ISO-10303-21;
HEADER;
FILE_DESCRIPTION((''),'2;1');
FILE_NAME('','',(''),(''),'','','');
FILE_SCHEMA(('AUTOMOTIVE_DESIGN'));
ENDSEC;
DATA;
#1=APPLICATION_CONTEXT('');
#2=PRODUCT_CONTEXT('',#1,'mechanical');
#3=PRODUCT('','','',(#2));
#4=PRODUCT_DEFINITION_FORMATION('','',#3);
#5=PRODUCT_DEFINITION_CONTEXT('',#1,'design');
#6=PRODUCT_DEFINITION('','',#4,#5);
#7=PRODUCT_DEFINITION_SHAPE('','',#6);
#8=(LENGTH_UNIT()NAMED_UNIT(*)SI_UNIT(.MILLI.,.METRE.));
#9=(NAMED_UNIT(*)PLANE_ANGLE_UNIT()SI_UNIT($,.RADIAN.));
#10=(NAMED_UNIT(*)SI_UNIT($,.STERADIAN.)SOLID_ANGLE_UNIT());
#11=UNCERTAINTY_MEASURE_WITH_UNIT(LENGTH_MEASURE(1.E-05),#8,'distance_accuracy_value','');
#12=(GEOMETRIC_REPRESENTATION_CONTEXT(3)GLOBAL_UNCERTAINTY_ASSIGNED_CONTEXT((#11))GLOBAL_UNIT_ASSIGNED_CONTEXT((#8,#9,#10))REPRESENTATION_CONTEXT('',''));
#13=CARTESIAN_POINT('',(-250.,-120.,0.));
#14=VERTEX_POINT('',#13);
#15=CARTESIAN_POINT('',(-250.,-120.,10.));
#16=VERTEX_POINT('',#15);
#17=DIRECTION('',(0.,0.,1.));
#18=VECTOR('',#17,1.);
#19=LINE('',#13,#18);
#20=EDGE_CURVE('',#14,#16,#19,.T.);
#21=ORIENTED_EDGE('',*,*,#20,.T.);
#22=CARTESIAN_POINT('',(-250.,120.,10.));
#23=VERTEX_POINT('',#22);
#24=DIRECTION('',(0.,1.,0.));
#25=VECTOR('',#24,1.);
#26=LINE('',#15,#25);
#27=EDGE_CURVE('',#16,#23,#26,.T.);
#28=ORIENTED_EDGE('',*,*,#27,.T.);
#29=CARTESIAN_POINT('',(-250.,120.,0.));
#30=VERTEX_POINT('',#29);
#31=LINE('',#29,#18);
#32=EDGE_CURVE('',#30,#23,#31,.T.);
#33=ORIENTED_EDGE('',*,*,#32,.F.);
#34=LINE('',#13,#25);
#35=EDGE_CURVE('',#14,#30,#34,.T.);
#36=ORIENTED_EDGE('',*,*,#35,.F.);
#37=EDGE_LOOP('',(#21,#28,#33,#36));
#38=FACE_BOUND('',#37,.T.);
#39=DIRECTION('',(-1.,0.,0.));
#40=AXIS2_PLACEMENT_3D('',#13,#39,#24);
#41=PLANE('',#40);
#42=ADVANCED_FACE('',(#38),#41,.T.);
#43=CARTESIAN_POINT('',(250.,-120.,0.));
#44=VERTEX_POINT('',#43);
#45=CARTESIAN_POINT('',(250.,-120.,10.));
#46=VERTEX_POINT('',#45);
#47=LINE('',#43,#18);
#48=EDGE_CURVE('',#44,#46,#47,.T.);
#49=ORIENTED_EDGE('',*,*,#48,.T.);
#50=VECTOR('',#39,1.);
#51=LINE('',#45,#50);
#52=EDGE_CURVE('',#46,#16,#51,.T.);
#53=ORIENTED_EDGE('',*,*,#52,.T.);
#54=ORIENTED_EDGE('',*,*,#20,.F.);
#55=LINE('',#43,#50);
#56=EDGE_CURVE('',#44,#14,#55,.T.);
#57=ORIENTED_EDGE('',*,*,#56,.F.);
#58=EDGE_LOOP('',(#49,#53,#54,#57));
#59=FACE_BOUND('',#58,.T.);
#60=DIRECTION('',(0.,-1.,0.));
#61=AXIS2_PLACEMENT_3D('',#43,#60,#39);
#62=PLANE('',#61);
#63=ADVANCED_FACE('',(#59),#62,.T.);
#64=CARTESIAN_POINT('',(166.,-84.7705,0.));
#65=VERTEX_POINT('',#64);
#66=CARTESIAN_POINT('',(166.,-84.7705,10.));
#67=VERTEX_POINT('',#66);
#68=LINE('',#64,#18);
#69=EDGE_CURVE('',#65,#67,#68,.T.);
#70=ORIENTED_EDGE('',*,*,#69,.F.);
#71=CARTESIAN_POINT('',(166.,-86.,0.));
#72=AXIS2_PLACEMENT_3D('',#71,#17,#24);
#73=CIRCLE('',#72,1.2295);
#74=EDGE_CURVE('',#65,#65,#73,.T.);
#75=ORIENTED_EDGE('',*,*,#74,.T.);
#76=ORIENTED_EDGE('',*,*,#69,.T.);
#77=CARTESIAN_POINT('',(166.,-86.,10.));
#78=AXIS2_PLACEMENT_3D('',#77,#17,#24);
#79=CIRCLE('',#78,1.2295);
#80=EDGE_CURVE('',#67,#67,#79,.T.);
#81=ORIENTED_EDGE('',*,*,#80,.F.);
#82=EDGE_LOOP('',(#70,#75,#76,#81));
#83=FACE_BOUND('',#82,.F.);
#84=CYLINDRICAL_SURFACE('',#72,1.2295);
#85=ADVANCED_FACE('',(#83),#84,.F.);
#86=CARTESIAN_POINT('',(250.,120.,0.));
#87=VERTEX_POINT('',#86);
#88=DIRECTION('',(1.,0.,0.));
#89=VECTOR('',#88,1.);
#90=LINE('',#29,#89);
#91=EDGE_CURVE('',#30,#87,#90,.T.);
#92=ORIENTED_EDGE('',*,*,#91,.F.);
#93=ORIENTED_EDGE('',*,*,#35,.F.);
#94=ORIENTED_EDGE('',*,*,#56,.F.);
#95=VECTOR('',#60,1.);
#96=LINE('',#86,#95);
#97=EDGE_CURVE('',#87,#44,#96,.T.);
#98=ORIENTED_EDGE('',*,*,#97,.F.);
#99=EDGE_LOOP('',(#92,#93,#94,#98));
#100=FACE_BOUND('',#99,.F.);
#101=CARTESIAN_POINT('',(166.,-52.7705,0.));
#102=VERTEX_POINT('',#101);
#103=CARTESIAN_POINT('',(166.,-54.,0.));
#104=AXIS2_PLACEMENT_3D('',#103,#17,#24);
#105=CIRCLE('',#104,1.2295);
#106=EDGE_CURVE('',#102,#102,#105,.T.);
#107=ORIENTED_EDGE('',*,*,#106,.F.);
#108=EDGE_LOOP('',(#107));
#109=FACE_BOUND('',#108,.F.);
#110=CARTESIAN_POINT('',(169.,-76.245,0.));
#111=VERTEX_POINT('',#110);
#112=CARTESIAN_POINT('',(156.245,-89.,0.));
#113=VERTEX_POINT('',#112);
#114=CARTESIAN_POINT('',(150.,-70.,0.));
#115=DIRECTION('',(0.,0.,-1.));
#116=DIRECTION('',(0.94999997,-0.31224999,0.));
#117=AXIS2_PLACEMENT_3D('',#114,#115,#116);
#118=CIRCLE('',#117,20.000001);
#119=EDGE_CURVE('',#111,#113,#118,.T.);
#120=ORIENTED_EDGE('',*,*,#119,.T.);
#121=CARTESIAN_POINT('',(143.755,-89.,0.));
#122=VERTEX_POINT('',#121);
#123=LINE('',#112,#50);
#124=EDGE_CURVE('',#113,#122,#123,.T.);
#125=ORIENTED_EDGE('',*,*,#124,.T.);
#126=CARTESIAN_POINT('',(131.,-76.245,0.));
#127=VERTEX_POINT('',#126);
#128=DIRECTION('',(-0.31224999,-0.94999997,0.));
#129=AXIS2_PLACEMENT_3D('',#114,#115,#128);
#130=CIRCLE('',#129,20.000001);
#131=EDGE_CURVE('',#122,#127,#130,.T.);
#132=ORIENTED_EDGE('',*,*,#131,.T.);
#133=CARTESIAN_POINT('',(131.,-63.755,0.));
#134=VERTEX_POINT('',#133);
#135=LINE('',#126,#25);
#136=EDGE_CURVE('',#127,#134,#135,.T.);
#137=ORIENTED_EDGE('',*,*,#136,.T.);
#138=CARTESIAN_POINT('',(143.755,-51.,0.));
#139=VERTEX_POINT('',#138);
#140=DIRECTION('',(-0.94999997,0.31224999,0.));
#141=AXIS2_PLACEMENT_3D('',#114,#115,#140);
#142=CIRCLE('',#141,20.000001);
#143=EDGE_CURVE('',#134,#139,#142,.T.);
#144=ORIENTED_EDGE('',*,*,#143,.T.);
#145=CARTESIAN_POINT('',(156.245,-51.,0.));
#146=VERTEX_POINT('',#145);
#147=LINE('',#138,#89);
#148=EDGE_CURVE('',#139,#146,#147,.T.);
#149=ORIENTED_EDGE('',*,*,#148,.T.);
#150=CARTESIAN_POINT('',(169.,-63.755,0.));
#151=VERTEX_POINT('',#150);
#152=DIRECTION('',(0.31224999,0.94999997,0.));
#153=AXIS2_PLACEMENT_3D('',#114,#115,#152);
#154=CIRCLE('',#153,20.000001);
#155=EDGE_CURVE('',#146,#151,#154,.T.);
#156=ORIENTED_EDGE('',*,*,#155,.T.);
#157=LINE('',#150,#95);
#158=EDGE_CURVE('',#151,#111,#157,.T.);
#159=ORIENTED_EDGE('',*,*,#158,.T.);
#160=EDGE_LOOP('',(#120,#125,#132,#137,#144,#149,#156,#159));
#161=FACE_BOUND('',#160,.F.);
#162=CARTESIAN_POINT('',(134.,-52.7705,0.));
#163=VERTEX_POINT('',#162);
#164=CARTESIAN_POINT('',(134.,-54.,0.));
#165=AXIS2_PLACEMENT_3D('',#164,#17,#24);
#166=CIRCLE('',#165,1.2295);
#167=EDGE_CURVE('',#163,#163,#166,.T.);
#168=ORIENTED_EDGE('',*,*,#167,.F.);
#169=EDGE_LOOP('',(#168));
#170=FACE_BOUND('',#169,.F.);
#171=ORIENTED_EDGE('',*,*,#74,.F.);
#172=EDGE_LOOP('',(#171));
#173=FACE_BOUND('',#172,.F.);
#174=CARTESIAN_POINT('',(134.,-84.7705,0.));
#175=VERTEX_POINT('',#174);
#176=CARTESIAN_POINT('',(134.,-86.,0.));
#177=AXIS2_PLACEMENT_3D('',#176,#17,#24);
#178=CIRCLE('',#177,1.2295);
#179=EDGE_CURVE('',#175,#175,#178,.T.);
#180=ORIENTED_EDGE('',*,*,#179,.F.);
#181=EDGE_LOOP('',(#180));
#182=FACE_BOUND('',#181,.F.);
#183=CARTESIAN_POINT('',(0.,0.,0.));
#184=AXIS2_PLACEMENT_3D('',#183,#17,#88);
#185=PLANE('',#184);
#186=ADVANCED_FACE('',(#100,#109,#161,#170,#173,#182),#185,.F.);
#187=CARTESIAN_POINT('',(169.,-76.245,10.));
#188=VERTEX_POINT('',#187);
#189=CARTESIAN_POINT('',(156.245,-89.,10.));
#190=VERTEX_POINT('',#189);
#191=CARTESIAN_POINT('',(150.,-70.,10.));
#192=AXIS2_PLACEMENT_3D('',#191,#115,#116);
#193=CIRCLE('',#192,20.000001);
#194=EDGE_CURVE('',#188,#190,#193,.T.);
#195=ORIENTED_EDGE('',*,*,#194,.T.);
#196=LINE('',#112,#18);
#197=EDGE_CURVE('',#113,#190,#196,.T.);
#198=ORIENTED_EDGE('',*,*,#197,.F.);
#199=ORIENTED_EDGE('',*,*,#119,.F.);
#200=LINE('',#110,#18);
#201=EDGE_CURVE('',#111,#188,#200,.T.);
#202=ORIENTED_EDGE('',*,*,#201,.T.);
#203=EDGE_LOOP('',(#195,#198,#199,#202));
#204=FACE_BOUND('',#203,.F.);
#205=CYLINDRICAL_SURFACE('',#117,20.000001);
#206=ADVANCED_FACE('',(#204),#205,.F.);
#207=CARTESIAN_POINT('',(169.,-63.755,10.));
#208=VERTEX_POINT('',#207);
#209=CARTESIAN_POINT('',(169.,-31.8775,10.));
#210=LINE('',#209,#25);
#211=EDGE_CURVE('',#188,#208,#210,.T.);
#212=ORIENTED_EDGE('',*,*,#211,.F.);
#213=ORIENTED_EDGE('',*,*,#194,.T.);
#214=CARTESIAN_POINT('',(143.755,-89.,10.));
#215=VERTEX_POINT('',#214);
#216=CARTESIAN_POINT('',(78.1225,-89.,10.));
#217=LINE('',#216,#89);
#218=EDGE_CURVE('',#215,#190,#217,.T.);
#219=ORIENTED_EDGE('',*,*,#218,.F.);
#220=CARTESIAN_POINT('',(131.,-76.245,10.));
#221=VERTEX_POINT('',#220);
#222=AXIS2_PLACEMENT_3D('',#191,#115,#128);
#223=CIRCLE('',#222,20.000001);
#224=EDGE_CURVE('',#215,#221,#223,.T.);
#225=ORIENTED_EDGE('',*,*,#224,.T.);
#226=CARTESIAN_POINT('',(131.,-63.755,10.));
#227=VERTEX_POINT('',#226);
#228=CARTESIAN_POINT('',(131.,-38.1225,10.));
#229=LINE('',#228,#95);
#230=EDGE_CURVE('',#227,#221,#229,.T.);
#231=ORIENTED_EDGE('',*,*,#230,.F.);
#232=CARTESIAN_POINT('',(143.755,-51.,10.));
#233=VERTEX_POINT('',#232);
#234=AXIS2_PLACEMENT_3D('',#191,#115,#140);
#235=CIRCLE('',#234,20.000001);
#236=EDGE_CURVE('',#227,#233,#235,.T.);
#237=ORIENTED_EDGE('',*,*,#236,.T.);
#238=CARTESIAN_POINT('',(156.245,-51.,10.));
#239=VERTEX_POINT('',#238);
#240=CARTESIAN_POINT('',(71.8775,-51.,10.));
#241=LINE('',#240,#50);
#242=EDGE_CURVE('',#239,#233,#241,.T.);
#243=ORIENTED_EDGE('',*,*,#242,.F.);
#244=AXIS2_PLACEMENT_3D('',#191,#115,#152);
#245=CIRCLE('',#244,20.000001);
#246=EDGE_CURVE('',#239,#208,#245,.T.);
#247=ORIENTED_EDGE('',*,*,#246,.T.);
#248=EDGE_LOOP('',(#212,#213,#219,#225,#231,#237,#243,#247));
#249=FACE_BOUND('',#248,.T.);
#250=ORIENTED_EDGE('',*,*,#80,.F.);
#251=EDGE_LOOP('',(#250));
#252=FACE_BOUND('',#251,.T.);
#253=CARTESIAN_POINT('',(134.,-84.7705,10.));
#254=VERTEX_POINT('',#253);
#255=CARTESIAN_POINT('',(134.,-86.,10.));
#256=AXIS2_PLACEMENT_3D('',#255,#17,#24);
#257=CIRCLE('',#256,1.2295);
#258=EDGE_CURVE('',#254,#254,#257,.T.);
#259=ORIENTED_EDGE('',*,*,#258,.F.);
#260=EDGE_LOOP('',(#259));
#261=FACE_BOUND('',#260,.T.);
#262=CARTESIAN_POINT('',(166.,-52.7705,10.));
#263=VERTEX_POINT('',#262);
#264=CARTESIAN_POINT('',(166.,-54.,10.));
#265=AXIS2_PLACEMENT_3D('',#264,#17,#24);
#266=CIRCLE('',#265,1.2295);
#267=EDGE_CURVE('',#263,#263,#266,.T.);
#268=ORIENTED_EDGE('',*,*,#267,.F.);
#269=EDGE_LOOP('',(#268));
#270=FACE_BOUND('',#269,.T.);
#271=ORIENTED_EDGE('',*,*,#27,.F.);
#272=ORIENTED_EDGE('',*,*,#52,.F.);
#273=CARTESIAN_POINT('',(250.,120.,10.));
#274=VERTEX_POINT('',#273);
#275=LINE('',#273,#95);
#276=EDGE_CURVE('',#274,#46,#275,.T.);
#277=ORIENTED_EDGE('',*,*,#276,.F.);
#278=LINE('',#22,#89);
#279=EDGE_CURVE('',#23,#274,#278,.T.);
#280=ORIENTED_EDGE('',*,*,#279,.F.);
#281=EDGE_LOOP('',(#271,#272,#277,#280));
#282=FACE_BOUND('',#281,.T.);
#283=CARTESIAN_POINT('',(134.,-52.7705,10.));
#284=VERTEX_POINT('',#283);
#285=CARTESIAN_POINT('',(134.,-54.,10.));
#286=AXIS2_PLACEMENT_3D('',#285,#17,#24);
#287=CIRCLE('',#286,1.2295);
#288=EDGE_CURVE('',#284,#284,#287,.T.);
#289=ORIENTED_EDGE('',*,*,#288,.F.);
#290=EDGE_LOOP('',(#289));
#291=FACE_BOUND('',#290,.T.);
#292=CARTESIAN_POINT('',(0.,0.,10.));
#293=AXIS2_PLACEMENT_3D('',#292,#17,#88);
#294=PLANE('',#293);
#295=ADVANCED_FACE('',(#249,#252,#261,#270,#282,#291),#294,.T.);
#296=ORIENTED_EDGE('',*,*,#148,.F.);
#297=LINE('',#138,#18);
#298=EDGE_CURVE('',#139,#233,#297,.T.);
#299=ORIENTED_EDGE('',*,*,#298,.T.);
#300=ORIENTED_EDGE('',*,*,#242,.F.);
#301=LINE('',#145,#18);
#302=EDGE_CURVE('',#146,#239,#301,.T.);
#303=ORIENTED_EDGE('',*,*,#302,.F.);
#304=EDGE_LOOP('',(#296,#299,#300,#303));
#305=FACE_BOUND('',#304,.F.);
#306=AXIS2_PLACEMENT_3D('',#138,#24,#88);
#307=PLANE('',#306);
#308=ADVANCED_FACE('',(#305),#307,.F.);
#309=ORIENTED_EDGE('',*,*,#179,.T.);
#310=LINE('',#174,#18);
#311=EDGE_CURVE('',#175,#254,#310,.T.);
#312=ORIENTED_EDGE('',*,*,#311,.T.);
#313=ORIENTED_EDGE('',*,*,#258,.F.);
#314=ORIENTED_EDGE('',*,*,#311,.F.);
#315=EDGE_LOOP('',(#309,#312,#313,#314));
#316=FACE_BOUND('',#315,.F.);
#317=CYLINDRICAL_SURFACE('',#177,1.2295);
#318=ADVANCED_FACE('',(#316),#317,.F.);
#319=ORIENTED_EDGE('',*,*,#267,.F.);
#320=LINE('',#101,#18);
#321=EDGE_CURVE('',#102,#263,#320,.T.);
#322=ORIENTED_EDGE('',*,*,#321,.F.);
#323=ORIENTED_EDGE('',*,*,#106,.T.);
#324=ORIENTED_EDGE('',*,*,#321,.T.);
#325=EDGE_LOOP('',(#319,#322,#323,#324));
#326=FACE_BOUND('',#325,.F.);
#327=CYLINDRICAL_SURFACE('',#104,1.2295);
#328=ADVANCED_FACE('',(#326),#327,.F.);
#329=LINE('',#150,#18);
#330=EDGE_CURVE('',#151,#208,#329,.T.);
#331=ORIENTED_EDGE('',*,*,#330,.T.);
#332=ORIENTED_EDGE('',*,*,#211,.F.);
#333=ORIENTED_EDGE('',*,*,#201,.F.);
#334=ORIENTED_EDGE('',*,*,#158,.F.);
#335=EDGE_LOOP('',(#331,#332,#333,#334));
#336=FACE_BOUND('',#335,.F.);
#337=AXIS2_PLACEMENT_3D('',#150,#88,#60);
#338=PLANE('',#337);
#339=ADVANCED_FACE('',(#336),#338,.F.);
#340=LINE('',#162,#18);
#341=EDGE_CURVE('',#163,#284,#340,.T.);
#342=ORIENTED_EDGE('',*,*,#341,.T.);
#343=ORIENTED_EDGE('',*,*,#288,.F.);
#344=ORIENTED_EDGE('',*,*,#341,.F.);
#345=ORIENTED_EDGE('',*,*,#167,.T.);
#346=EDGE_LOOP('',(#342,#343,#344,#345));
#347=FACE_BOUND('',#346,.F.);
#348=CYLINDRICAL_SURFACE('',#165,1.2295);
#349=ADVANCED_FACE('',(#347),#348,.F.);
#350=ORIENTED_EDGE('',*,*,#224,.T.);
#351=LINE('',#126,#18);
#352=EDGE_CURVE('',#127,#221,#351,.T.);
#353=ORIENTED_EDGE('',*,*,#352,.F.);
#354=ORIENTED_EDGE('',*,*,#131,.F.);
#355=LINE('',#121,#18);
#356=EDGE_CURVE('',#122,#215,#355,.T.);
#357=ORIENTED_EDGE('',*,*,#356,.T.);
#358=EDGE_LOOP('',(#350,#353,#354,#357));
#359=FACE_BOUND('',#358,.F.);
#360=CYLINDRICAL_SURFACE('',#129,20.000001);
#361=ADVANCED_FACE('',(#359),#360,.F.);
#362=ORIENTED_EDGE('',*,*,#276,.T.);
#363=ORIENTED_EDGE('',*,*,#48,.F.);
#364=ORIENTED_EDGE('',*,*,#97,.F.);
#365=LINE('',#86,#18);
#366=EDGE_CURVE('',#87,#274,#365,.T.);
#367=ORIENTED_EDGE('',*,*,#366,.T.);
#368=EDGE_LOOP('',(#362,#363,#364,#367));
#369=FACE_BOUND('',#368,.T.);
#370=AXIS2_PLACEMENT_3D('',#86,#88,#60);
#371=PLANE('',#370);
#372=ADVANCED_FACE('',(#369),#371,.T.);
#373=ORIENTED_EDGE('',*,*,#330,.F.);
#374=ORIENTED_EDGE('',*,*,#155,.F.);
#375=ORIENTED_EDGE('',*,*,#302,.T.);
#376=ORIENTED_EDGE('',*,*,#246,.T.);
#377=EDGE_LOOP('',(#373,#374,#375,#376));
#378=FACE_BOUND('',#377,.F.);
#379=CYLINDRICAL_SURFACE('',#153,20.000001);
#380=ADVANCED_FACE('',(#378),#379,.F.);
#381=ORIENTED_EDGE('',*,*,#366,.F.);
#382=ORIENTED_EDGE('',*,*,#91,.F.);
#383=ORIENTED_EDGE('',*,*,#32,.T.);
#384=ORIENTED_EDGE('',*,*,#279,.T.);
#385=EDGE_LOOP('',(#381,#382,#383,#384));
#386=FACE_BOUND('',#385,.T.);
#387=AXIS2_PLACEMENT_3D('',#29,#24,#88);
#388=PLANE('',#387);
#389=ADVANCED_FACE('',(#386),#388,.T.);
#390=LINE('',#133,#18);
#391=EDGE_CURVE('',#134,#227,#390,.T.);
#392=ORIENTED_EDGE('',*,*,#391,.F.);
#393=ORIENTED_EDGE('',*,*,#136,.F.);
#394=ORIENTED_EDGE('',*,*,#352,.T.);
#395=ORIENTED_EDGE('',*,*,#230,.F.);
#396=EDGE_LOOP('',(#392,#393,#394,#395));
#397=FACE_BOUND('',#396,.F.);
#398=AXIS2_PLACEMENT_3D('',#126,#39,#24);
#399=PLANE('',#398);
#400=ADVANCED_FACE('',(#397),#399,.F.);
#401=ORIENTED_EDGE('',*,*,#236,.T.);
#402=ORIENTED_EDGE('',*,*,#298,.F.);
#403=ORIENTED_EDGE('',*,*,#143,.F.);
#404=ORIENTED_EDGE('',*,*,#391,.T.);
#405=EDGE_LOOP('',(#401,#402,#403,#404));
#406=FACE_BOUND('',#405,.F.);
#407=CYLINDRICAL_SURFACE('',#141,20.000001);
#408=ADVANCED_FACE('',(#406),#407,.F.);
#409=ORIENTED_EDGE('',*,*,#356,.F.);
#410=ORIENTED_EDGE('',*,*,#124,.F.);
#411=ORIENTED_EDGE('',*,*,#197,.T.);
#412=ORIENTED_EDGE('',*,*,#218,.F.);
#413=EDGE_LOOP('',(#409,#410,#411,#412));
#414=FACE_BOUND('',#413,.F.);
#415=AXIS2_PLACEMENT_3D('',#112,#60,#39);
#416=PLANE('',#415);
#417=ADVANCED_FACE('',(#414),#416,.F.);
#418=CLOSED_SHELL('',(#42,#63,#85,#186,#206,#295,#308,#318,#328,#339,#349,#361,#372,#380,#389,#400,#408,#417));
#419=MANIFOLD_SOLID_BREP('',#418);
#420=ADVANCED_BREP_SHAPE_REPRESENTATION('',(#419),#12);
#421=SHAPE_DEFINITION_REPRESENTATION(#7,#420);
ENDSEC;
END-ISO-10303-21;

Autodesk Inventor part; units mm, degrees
ref_plane "YZ Plane" through (0, 0, 0) normal (1, 0, 0) x (0, 1, 0)
ref_plane "XZ Plane" through (0, 0, 0) normal (0, 1, 0) x (-1, 0, 0)
ref_plane "XY Plane" through (0, 0, 0) normal (0, 0, 1) x (1, 0, 0)
sketch "Skizze1" plane through (0, 0, 0) normal (0, 0, 1) x (1, 0, 0)
  line L0 (-250, 120) -> (250, 120)
  line L1 (250, 120) -> (250, -120)
  line L2 (250, -120) -> (-250, -120)
  line L3 (-250, -120) -> (-250, 120)
  line L4 (-250, 120) -> (250, -120) construction
  line L5 (250, 120) -> (-250, -120) construction
  point P0 (0, 0)
  dimension "d0" = 500
  dimension "d1" = 240
extrude "Extrusion1" add sketch "Skizze1" along normal blind 10
sketch "Skizze3" plane through (0, 0, 0) normal (0, 0, -1) x (-1, 0, 0)
  line L0 (-250, 120) -> (-250, -120) projected
  line L1 (-250, -120) -> (250, -120) projected
  line L2 (-156.245, -89) -> (-143.755, -89)
  line L3 (-131, -76.245) -> (-131, -63.755)
  line L4 (-143.755, -51) -> (-156.245, -51)
  line L5 (-169, -63.755) -> (-169, -76.245)
  line L6 (-156.245, -89) -> (-143.755, -51) construction
  line L7 (-131, -76.245) -> (-169, -63.755) construction
  arc A0 (-143.755, -89) -> (-131, -76.245) centre (-150, -70) ccw
  arc A1 (-169, -76.245) -> (-156.245, -89) centre (-150, -70) ccw
  arc A2 (-131, -63.755) -> (-143.755, -51) centre (-150, -70) ccw
  arc A3 (-156.245, -51) -> (-169, -63.755) centre (-150, -70) ccw
  point P0 (0, 0)
  dimension "d32" = 38
  dimension "d33" = 20
  dimension "d34" = 50
  dimension "d35" = 100
extrude "Extrusion3" cut sketch "Skizze3" against normal through all
sketch "Skizze4" plane through (0, 0, 0) normal (0, 0, -1) x (-1, 0, 0)
  arc A0 (-143.755, -89) -> (-131, -76.245) centre (-150, -70) ccw projected
  line L0 (-134, -86) -> (-166, -86)
  line L1 (-166, -86) -> (-166, -54)
  line L2 (-166, -54) -> (-134, -54)
  line L3 (-134, -54) -> (-134, -86)
  line L4 (-134, -86) -> (-166, -54) construction
  line L5 (-166, -86) -> (-134, -54) construction
  point P0 (0, 0)
  dimension "d38" = 32
  dimension "d39" = 32
hole "Bohrung3" at (134, -54, 0) at (134, -86, 0) at (166, -86, 0) at (166, -54, 0) direction (0, 0, 1) diameter 2.459 end through all thread size "M3x0.5" class "6H" standard "ISO Metric profile"
properties part number "Lid_TopPanel" material "Polycarbonat, klar"
